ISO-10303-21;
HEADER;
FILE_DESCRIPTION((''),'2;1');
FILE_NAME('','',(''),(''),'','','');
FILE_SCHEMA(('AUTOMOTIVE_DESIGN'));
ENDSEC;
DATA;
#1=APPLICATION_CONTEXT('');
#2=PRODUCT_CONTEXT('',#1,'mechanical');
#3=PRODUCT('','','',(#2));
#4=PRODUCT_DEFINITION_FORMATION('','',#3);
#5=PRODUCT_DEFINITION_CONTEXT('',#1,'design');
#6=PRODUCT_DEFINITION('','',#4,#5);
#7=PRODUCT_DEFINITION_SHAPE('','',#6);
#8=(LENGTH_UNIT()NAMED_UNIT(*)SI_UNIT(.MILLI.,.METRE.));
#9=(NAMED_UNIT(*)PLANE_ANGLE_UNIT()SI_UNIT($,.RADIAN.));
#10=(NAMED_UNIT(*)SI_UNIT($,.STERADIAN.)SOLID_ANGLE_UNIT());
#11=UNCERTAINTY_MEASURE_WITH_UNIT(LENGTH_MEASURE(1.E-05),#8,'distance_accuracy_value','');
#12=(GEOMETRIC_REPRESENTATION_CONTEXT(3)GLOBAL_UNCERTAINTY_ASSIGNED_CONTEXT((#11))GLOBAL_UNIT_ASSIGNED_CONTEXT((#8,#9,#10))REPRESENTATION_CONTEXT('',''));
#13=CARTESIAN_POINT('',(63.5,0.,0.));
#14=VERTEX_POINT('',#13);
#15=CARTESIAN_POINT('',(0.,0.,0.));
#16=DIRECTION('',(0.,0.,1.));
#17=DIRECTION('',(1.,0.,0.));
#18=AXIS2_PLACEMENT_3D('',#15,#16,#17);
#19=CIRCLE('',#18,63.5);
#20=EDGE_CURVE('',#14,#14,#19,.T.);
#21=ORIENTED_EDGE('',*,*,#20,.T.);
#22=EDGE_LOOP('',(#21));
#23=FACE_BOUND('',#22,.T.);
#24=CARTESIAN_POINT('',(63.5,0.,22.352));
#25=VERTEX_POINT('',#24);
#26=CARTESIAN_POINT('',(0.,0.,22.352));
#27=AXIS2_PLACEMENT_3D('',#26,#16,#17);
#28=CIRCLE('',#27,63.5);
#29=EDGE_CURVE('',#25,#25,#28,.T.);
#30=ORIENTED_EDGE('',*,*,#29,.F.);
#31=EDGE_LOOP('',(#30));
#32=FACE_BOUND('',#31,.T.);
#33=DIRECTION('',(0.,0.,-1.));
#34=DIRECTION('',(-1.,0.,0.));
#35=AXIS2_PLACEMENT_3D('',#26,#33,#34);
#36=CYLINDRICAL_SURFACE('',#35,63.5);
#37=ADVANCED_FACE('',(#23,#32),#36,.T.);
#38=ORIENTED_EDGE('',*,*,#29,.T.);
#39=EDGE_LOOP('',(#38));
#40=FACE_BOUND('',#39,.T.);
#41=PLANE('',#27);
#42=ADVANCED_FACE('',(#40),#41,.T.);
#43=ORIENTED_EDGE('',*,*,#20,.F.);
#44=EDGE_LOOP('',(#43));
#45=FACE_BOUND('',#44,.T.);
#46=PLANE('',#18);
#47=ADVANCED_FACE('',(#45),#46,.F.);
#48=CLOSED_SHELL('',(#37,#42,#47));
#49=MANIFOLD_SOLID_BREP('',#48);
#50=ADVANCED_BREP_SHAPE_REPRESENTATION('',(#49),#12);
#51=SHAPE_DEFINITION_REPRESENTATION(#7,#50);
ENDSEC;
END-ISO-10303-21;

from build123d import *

# Parameters (mm, degrees)
SKETCH1_R           = 63.5
BOSS_EXTRUDE1_DEPTH = 22.352
SKETCH2_R           = 19.05
BOSS_EXTRUDE2_DEPTH = 12.7


with BuildPart() as part:
    # Sketch1 → Boss-Extrude1 (new body)
    with BuildSketch(Plane.XY):
        Circle(SKETCH1_R)
    extrude(amount=BOSS_EXTRUDE1_DEPTH)

    # Sketch2 → Boss-Extrude2 (add)
    with BuildSketch(Plane.XY):
        Circle(SKETCH2_R)
    extrude(amount=BOSS_EXTRUDE2_DEPTH)


solid = part.part
